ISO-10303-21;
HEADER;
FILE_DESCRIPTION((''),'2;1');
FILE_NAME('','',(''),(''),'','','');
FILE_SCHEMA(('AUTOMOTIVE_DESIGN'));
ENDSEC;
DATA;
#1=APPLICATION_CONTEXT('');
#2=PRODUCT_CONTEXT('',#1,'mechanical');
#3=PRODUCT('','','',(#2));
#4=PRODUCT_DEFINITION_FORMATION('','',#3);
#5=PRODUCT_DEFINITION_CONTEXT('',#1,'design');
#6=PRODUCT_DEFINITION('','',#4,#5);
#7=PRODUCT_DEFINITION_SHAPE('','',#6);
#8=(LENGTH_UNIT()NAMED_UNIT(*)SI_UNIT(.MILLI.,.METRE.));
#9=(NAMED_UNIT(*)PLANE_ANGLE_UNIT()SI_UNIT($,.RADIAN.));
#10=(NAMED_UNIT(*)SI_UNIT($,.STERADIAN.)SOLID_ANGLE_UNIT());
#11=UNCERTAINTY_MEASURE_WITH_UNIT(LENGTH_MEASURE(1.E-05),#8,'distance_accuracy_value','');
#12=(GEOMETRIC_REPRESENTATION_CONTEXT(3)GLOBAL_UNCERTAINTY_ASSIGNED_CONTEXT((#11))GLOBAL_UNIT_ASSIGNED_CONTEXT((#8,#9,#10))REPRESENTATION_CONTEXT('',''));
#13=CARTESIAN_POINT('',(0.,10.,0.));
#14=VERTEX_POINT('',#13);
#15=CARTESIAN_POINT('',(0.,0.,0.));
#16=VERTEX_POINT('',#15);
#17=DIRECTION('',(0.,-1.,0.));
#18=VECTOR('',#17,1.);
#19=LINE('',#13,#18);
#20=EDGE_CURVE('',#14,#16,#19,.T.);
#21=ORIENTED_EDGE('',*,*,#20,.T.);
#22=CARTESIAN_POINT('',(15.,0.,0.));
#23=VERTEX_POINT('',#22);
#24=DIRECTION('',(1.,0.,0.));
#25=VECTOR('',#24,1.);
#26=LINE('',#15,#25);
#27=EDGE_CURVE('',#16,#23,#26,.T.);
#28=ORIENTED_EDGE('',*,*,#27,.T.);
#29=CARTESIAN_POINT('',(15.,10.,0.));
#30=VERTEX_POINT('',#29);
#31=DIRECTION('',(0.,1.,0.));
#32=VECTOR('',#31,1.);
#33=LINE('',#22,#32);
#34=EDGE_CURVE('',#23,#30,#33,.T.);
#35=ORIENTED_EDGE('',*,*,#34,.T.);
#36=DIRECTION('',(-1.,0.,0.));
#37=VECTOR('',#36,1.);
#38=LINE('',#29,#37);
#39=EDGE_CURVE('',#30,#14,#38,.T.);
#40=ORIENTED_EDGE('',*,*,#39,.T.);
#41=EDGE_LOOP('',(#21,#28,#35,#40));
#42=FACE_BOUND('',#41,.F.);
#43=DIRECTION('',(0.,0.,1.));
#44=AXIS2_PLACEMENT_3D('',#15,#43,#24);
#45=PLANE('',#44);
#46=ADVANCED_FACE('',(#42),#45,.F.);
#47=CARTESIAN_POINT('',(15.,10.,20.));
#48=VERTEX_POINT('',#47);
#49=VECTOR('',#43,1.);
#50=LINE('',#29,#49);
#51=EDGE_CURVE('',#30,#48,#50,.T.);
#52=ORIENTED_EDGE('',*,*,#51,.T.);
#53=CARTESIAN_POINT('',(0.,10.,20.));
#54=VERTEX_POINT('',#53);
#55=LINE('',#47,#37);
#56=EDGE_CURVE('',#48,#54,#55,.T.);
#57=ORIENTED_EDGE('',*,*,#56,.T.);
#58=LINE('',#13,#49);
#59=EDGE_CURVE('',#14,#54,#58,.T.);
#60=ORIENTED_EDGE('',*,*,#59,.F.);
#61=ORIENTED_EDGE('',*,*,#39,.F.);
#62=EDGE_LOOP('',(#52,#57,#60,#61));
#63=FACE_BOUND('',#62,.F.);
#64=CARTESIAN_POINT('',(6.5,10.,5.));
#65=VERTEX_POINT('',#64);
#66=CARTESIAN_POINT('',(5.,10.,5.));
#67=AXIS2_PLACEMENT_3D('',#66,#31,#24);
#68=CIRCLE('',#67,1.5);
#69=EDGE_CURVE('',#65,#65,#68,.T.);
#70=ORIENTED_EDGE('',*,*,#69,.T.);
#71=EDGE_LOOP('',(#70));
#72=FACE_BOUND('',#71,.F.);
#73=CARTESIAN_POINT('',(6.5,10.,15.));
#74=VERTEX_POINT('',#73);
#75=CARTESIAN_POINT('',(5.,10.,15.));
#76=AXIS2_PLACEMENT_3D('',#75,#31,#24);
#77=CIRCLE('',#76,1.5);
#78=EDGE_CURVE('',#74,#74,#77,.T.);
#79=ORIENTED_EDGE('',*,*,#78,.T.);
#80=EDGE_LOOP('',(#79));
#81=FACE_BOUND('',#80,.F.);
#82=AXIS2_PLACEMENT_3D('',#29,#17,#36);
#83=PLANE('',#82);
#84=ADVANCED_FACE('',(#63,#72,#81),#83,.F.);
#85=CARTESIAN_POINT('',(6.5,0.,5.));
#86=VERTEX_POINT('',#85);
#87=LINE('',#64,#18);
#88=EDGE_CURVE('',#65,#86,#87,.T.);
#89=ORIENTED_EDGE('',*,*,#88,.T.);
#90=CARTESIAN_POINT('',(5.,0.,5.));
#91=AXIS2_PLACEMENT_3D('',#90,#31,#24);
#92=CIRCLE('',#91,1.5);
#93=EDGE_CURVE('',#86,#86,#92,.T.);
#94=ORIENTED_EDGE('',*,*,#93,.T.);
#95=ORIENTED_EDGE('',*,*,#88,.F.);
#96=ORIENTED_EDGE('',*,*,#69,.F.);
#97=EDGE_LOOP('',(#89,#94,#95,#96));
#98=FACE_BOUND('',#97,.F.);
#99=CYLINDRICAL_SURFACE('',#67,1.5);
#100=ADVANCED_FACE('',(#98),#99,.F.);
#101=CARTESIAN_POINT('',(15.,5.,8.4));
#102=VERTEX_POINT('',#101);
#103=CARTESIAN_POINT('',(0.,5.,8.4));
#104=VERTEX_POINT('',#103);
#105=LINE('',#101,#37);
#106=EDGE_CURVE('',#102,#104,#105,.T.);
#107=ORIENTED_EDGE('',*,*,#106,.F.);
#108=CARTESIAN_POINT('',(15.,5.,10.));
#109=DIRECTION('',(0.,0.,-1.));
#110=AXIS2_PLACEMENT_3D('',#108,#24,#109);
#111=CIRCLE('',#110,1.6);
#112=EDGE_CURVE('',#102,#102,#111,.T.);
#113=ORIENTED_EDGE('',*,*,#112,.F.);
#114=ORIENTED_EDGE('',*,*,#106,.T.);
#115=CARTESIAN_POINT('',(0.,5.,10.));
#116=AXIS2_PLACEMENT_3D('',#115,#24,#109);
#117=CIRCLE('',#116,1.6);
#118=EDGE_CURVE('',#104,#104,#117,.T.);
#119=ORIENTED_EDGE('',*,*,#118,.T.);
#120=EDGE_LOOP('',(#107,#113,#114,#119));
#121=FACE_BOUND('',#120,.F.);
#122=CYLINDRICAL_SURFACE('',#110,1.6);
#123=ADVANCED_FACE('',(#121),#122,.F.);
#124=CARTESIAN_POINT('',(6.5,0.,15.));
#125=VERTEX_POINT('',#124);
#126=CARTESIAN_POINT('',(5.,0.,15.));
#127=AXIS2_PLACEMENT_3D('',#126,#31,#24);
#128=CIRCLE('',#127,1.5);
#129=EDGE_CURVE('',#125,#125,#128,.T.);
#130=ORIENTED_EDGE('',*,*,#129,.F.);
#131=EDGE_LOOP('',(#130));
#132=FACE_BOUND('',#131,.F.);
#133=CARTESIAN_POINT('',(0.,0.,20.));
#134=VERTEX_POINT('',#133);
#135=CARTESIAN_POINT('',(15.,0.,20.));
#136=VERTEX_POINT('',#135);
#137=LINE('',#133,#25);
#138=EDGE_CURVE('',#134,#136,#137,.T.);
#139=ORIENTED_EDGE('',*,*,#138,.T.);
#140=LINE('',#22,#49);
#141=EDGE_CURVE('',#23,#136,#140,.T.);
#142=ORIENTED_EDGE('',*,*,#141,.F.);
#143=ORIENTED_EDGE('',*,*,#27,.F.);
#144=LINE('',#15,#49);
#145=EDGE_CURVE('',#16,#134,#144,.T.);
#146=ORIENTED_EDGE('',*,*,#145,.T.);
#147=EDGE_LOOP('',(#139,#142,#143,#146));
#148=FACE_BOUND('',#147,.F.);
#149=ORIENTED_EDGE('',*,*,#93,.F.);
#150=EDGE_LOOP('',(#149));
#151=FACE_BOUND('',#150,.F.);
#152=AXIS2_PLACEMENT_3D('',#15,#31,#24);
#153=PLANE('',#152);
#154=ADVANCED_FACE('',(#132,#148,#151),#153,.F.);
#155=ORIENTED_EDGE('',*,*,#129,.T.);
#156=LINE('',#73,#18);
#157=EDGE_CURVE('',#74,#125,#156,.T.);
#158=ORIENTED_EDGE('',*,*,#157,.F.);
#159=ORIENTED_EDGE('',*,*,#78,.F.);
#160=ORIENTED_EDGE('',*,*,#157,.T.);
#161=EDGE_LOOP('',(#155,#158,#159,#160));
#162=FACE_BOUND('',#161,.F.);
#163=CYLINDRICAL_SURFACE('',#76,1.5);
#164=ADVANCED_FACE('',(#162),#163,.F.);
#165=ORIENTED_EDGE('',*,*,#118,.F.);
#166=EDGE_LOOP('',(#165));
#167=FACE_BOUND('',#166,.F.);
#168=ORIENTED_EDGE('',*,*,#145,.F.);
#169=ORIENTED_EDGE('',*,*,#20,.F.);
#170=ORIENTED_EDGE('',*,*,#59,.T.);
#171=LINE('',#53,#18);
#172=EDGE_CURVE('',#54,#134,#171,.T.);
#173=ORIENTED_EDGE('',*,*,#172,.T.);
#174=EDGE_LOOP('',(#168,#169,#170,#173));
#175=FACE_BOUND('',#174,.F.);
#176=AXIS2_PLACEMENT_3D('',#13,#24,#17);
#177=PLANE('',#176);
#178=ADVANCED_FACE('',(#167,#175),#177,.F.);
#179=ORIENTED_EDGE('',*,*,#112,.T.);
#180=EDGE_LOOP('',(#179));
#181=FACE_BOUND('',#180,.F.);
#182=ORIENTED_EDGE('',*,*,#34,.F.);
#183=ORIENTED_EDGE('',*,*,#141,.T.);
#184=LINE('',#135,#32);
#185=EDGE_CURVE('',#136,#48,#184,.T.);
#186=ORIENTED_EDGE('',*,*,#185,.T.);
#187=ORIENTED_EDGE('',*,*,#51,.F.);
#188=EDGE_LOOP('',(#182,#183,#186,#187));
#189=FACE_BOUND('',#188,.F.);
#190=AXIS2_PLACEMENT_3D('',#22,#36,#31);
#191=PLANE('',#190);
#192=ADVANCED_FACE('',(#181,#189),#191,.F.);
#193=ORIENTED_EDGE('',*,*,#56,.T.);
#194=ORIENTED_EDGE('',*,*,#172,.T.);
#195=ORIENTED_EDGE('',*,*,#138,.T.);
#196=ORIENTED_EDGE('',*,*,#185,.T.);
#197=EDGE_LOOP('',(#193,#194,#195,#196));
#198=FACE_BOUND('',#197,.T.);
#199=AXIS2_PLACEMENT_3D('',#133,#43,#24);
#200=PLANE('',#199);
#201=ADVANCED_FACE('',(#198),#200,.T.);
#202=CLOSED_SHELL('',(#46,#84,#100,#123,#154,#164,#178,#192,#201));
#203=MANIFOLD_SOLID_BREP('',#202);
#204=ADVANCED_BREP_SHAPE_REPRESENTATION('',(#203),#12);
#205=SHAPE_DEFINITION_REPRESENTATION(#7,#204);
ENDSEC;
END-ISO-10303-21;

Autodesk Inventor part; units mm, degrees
ref_plane "YZ Plane" through (0, 0, 0) normal (1, 0, 0) x (0, 1, 0)
ref_plane "XZ Plane" through (0, 0, 0) normal (0, 1, 0) x (-1, 0, 0)
ref_plane "XY Plane" through (0, 0, 0) normal (0, 0, 1) x (1, 0, 0)
sketch "Sketch1" plane through (0, 0, 0) normal (0, 0, 1) x (1, 0, 0)
  line L0 (0, 0) -> (15, 0)
  line L1 (15, 0) -> (15, 10)
  line L2 (15, 10) -> (0, 10)
  line L3 (0, 10) -> (0, 0)
  line L4 (1, 9) -> (14, 9)
  line L5 (14, 9) -> (14, 1)
  line L6 (14, 1) -> (1, 1)
  line L7 (1, 1) -> (1, 9)
  dimension "d0" = 15
  dimension "d1" = 10
  dimension "d2" = 13
  dimension "d3" = 8
  dimension "d4" = 1
  dimension "d5" = 1
extrude "Extrusion1" add sketch "Sketch1" along normal blind 20 contours L3 L2 L1 L0 | L4 L5 L6 L7
sketch "Sketch2" plane through (0, 10, 0) normal (0, 1, 0) x (1, 0, 0)
  line L0 (15, 0) -> (0, 0) projected
  line L1 (0, 0) -> (0, -20) projected
  line L2 (15, -20) -> (0, -20) projected
  line L3 (15, 0) -> (15, -20) projected
  circle A0 centre (5, -5) radius 1.5
  circle A1 centre (5, -15) radius 1.5
  dimension "d8" = 3
  dimension "d9" = 3
  dimension "d10" = 5
  dimension "d11" = 5
  dimension "d12" = 5
  dimension "d13" = 5
extrude "Extrusion2" cut sketch "Sketch2" against normal up to surface (10 mm away) contours A0 | A1
sketch "Sketch3" plane through (15, 0, 0) normal (1, 0, 0) x (0, 0, -1)
  line L0 (0, 0) -> (0, 10) projected
  line L1 (0, 10) -> (-20, 10) projected
  line L2 (-20, 0) -> (-20, 10) projected
  line L3 (0, 0) -> (-20, 0) projected
  circle A0 centre (-10, 5) radius 1.6
  dimension "d16" = 3.2
  dimension "d17" = 5
  dimension "d18" = 10
extrude "Extrusion3" cut sketch "Sketch3" against normal up to surface (15 mm away) contours A0
properties part number "profile1_3D"
